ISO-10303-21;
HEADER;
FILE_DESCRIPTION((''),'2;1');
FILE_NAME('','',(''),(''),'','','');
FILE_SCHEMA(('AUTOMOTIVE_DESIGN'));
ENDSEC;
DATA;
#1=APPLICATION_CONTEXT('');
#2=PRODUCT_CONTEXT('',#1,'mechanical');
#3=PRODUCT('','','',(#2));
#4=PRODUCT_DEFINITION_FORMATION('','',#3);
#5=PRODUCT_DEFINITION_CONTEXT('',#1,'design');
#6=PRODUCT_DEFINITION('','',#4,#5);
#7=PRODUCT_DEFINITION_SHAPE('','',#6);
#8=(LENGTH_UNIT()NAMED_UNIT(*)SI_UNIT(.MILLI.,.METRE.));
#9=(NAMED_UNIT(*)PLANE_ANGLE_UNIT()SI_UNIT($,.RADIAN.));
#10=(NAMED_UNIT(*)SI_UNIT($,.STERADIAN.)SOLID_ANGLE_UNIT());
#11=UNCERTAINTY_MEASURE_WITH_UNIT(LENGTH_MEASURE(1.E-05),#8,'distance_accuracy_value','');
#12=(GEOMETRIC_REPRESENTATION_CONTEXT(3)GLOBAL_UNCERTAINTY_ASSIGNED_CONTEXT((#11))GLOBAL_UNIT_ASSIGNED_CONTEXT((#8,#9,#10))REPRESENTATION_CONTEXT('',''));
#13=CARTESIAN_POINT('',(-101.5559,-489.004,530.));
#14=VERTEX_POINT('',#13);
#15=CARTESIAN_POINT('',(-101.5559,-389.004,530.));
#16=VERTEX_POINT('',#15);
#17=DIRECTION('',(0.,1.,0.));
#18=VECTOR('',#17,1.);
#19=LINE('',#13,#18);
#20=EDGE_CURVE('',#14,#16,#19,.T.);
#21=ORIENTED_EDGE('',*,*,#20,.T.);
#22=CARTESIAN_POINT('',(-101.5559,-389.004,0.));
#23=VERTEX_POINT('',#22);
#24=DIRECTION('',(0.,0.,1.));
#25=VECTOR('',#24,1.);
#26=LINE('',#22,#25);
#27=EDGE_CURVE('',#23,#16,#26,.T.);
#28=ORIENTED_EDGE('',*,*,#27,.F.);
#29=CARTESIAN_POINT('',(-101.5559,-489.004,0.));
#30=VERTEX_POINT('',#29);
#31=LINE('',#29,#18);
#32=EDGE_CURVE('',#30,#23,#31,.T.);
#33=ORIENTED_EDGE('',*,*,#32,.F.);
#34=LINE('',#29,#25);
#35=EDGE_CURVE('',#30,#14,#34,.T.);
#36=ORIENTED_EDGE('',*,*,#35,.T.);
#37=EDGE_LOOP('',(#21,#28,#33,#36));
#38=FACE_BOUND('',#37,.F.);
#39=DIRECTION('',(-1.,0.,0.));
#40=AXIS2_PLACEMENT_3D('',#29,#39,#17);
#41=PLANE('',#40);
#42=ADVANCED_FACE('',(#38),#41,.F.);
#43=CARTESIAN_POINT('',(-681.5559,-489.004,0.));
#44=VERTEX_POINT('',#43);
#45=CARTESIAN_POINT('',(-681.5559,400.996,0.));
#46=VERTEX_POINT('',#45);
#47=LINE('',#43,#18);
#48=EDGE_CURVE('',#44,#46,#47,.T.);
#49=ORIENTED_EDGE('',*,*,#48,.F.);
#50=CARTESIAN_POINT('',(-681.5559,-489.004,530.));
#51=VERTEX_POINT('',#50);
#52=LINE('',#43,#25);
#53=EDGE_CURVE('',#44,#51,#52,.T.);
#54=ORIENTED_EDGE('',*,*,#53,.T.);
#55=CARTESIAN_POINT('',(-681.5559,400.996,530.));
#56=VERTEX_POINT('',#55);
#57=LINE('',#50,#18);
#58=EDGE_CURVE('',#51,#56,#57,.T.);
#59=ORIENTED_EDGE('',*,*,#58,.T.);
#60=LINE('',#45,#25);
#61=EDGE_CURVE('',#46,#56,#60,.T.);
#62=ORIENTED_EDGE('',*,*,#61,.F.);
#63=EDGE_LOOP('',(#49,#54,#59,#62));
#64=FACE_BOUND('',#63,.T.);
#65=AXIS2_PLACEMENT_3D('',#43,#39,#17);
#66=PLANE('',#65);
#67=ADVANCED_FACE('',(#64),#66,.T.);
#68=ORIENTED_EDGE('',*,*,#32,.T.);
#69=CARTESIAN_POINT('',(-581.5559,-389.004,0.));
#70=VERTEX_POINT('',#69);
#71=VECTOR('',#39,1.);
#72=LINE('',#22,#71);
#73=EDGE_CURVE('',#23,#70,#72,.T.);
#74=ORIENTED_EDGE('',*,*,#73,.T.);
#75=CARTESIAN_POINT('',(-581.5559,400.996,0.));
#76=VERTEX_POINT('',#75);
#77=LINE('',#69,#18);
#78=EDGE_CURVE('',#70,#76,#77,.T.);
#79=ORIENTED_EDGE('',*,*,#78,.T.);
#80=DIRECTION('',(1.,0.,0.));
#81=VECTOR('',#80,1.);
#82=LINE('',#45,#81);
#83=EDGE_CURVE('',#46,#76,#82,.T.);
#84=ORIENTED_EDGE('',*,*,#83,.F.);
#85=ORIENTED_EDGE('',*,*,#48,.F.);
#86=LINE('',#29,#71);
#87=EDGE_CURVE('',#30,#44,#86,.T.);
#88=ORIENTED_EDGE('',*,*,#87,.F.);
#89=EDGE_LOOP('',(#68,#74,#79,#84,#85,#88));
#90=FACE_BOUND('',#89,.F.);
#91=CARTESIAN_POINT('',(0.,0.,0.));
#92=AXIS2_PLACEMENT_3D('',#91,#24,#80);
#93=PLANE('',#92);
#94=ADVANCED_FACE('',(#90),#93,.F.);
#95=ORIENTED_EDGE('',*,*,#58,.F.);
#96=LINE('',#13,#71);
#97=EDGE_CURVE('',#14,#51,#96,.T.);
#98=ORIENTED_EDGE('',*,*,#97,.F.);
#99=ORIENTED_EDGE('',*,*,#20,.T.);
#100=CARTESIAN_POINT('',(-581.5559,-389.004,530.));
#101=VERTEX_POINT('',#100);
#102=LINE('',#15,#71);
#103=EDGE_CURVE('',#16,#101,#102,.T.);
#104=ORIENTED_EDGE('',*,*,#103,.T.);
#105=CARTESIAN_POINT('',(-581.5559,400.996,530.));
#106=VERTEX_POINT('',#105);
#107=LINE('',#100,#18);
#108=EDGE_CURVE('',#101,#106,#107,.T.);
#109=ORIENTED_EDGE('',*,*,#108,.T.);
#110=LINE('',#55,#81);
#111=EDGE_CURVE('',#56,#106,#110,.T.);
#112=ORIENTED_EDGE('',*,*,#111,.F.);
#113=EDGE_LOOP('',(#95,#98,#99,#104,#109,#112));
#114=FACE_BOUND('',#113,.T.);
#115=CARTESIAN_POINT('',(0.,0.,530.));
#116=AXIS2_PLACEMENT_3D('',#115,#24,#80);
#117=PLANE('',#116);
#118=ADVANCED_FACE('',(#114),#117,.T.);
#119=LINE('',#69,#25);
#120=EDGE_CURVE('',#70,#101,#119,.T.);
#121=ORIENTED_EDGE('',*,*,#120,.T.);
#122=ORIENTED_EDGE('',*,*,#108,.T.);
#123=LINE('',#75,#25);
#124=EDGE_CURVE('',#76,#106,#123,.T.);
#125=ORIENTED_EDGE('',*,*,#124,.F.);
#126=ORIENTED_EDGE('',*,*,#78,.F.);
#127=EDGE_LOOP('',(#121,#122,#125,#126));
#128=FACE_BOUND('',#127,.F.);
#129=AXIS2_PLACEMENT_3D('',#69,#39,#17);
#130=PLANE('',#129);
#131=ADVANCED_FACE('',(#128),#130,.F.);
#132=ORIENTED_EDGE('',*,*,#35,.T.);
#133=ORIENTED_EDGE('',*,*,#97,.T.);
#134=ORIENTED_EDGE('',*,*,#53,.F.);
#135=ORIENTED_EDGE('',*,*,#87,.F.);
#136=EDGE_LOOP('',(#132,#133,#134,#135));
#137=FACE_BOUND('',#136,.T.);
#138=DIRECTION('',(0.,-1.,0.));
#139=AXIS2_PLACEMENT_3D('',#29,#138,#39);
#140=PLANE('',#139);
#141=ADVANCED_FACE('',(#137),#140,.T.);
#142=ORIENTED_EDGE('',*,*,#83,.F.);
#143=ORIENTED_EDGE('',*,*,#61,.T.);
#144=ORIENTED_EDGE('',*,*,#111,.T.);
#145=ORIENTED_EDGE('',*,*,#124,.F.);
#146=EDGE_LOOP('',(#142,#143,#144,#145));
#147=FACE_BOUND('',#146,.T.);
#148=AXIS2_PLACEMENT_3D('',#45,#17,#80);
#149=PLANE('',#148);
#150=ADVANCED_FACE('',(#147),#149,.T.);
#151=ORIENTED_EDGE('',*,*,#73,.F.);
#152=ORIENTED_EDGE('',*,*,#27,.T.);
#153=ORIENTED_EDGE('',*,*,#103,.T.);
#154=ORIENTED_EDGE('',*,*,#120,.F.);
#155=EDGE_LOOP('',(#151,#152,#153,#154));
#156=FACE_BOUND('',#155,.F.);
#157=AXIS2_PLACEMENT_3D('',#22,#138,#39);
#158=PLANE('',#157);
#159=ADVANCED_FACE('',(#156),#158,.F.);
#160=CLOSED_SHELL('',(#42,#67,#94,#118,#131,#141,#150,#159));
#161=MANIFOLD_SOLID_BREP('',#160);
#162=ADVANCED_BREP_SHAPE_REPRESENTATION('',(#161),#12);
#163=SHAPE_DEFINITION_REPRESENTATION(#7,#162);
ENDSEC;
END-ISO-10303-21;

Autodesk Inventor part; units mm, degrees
ref_plane "YZ Plane" through (0, 0, 0) normal (1, 0, 0) x (0, 1, 0)
ref_plane "XZ Plane" through (0, 0, 0) normal (0, 1, 0) x (-1, 0, 0)
ref_plane "XY Plane" through (0, 0, 0) normal (0, 0, 1) x (1, 0, 0)
sketch "Boceto3" plane through (0, 0, 0) normal (0, 0, 1) x (1, 0, 0)
  line L0 (-681.5559, 400.996) -> (-581.5559, 400.996)
  line L1 (-101.5559, -489.004) -> (-681.5559, -489.004)
  line L2 (-681.5559, -489.004) -> (-681.5559, 400.996)
  line L3 (-101.5559, -489.004) -> (-101.5559, -389.004)
  line L4 (-101.5559, -389.004) -> (-581.5559, -389.004)
  line L5 (-581.5559, -389.004) -> (-581.5559, 400.996)
  point P0 (0, 0)
  dimension "d0" = 580
  dimension "d2" = 100
  dimension "d3" = 480
extrude "Extrusión1" add sketch "Boceto3" along normal blind 530
properties part number "silla aleta" material "Sillas"
